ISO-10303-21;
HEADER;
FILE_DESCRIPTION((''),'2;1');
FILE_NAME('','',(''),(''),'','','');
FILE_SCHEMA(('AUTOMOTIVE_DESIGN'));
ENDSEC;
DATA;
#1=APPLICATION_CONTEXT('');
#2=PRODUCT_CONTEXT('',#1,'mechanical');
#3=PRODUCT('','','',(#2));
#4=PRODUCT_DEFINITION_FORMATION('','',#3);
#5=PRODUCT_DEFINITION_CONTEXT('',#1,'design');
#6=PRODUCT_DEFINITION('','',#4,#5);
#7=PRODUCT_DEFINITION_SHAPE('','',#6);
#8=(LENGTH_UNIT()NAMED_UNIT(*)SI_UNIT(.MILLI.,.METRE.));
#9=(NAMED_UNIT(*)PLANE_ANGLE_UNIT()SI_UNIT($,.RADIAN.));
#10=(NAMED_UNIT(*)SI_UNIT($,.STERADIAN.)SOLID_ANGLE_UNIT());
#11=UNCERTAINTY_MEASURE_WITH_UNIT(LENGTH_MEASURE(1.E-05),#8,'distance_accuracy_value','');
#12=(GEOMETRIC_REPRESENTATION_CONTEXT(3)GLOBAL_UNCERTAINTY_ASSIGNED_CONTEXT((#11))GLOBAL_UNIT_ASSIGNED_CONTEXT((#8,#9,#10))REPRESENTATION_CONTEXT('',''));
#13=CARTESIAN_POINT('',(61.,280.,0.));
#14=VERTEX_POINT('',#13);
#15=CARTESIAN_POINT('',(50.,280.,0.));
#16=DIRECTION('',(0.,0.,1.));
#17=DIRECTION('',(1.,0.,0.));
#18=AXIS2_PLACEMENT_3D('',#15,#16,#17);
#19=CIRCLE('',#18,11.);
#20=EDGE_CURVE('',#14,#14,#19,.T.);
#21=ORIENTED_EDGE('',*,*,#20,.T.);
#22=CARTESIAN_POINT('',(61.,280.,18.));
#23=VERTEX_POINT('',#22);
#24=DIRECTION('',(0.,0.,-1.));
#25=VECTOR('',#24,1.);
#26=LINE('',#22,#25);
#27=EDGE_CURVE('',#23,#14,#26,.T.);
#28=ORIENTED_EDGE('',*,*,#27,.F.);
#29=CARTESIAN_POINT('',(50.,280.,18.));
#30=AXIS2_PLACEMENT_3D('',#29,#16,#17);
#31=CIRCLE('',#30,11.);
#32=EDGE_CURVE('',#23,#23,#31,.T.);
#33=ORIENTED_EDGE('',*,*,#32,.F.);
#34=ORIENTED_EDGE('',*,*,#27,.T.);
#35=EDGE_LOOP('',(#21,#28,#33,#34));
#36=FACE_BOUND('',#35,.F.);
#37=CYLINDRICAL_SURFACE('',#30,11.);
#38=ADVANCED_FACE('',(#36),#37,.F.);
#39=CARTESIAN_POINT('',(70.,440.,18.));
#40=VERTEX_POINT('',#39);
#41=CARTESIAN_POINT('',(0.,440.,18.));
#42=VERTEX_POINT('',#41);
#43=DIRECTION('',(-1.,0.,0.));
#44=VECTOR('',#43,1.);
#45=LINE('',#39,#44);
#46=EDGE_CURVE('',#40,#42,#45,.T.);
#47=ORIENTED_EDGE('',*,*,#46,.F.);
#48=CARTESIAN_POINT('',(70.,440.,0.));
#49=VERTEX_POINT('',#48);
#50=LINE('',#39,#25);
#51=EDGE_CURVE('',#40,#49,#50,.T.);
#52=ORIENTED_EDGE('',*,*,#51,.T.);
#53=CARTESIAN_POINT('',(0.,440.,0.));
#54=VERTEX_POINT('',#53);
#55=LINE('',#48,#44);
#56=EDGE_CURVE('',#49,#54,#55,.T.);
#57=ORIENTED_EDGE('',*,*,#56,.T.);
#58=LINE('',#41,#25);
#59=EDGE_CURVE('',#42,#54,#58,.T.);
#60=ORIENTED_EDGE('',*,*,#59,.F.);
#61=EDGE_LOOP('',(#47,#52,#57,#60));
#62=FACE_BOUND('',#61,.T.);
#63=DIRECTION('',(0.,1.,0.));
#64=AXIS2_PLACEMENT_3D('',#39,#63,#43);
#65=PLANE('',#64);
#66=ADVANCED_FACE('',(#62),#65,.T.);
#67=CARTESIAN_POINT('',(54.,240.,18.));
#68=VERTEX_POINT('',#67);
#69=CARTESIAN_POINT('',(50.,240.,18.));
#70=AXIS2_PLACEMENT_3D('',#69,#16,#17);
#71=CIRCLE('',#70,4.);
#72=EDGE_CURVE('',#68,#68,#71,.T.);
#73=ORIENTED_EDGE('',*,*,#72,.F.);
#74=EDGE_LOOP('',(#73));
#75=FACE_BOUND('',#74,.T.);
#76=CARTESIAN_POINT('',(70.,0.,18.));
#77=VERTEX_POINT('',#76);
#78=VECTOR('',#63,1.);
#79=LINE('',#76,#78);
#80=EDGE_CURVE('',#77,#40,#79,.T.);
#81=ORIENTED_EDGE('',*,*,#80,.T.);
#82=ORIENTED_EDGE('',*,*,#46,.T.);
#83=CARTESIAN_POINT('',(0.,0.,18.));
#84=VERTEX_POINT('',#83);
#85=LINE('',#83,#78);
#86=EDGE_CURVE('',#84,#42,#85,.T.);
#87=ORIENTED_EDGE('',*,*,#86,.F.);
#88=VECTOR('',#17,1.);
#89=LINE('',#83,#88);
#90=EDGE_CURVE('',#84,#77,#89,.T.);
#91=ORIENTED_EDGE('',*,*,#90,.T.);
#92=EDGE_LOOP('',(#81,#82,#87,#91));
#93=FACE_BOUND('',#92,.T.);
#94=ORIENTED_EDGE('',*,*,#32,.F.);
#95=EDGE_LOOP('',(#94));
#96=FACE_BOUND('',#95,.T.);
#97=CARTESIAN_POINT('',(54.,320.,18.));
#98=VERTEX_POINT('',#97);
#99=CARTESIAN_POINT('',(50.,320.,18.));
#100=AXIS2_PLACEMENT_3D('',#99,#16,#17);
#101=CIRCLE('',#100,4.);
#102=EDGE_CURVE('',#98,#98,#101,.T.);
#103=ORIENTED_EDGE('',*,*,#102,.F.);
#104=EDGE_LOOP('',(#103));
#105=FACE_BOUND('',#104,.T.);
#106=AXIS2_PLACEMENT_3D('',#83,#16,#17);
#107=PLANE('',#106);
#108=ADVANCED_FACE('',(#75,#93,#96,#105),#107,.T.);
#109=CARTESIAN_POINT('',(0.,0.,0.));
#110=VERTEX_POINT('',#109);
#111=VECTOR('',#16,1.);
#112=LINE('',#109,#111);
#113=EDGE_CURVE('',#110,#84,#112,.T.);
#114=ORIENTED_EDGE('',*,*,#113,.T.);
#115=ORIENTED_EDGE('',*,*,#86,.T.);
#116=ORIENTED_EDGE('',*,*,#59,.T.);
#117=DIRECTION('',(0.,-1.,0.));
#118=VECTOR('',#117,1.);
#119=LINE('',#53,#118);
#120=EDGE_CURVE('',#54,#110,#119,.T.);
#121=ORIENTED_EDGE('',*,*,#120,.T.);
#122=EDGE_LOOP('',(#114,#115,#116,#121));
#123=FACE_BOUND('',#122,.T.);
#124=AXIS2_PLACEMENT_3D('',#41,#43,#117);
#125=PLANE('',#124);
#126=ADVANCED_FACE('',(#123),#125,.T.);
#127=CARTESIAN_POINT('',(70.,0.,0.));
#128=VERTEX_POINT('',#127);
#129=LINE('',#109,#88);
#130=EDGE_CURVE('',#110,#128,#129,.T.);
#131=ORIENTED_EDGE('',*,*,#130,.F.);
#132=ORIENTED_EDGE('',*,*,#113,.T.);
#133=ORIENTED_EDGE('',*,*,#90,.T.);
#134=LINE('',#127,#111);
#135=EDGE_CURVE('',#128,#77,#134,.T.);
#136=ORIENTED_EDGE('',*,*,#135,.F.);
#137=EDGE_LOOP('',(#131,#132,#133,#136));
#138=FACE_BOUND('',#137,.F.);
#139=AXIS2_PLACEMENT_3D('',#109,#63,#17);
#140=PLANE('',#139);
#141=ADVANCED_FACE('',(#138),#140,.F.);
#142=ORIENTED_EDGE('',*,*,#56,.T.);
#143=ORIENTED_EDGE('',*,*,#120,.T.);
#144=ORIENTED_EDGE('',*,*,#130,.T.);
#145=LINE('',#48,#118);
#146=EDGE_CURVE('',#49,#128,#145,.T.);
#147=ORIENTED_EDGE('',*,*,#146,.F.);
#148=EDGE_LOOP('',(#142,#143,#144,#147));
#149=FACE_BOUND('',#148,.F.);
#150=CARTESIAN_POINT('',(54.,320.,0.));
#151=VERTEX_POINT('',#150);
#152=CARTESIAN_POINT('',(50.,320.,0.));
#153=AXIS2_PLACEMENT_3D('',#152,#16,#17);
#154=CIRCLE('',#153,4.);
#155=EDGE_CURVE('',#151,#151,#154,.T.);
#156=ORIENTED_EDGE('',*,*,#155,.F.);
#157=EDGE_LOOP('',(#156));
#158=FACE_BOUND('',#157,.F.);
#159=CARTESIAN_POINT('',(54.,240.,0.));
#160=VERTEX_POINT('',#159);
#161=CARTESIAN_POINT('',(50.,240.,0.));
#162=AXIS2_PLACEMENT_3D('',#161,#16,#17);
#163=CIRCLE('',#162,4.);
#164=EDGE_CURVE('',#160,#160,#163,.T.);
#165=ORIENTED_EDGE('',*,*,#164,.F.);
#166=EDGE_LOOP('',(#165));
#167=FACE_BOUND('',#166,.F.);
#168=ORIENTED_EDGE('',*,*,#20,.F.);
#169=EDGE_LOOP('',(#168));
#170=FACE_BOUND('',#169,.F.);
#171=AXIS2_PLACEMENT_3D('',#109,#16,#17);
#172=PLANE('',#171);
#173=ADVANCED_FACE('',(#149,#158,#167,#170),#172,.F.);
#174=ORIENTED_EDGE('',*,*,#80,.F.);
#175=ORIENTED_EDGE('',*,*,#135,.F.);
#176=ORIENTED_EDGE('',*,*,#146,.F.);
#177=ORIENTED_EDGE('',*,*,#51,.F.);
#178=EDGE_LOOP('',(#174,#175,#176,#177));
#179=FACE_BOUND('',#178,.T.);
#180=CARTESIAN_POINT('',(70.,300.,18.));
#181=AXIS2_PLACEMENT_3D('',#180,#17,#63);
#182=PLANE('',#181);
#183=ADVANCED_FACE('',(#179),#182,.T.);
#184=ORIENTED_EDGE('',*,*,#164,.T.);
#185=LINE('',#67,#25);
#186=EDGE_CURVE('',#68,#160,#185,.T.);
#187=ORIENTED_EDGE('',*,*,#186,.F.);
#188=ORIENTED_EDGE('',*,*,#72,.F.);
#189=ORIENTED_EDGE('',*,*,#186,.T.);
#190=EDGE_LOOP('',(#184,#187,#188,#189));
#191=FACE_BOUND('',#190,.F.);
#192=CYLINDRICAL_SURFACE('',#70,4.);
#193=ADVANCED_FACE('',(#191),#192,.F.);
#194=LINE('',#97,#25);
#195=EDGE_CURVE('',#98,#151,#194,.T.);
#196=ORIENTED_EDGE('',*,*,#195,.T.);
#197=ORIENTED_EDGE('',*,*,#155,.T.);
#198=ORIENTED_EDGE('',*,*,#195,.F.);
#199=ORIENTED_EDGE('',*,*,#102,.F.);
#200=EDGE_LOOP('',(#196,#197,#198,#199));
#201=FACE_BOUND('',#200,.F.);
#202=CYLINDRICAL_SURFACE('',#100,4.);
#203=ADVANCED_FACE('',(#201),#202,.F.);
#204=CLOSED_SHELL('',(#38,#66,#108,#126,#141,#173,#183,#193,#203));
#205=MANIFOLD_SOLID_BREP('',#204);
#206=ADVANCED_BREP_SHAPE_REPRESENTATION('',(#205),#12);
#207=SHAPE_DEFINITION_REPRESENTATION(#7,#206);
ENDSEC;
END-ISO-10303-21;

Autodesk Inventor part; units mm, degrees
ref_plane "YZ Plane" through (0, 0, 0) normal (1, 0, 0) x (0, 1, 0)
ref_plane "XZ Plane" through (0, 0, 0) normal (0, 1, 0) x (-1, 0, 0)
ref_plane "XY Plane" through (0, 0, 0) normal (0, 0, 1) x (1, 0, 0)
sketch "Boceto1" plane through (0, 0, 0) normal (0, 0, 1) x (1, 0, 0)
  line L0 (0, 0) -> (70, 0)
  line L1 (70, 0) -> (70, 300)
  line L2 (70, 300) -> (0, 300)
  line L3 (0, 300) -> (0, 0)
  dimension "d0" = 300
  dimension "d1" = 70
extrude "Extrusión1" add sketch "Boceto1" along normal blind 18
sketch "Boceto2" plane through (0, 0, 18) normal (0, 0, 1) x (1, 0, 0)
  circle A0 centre (50, 280) radius 11
  line L0 (70, 300) -> (0, 300) projected
  line L1 (70, 0) -> (70, 300) projected
  line L2 (50, 280) -> (50, 258) construction
  circle A1 centre (50, 258) radius 1.5
  line L3 (50, 280) -> (28, 280) construction
  circle A2 centre (28, 280) radius 1.5
  point P0 (0, 0)
  dimension "d4" = 22
  dimension "d6" = 20
  dimension "d7" = 3
  dimension "d8" = 22
  dimension "d9" = 22
  dimension "d10" = 3
  dimension "d11" = 20
extrude "Extrusión2" cut sketch "Boceto2" against normal blind 18
sketch "Boceto3" plane through (0, 0, 18) normal (0, 0, 1) x (1, 0, 0)
  line L0 (70, 300) -> (0, 300) projected
  line L1 (0, 300) -> (70, 300)
  line L2 (70, 300) -> (70, 440)
  line L3 (70, 440) -> (0, 440)
  line L4 (0, 440) -> (0, 300)
  circle A0 centre (50, 258) radius 1.5 projected
  circle A1 centre (50, 280) radius 11 projected
  line L5 (50, 258) -> (50, 280) construction
  circle A2 centre (28, 280) radius 1.5 projected
  line L6 (50, 280) -> (28, 280) construction
  point P0 (0, 0)
  dimension "d14" = 70
  dimension "d15" = 140
extrude "Extrusión3" add sketch "Boceto3" against normal up to surface (18 mm away) contours L0 L4 L3 L2
sketch "Boceto4" plane through (0, 0, 18) normal (0, 0, 1) x (1, 0, 0)
  circle A0 centre (50, 258) radius 1.5 projected
  line L0 (50, 258) -> (50, 302) construction
  circle A1 centre (28, 280) radius 1.5 projected
  line L1 (28, 280) -> (50, 280) construction
  circle A2 centre (50, 302) radius 1.5
  point P0 (0, 0)
  dimension "d19" = 22
  dimension "d20" = 3
extrude "Extrusión4" cut sketch "Boceto4" against normal blind 18 contours A2
sketch "Boceto5" plane through (0, 0, 18) normal (0, 0, 1) x (1, 0, 0)
  circle A0 centre (50, 240) radius 4
  circle A1 centre (50, 280) radius 11 projected
  circle A2 centre (50, 280) radius 11 projected
  line L0 (50, 280) -> (50, 193.7834) construction
  circle A3 centre (50, 320) radius 4
  line L1 (50, 320) -> (50, 280) construction
  point P0 (0, 0)
  dimension "d23" = 8
  dimension "d24" = 40
  dimension "d25" = 8
  dimension "d26" = 40
extrude "Extrusión5" cut sketch "Boceto5" against normal blind 18 contours A0 | A3
sketch "Boceto6" plane through (0, 0, 18) normal (0, 0, 1) x (1, 0, 0)
  circle A0 centre (50, 302) radius 1.5 projected
  circle A1 centre (50, 302) radius 1.5
  circle A2 centre (28, 280) radius 1.5 projected
  circle A3 centre (28, 280) radius 1.5
  circle A4 centre (50, 258) radius 1.5 projected
  circle A5 centre (50, 258) radius 1.5
  point P0 (0, 0)
extrude "Extrusión6" add sketch "Boceto6" against normal up to surface (18 mm away)
properties part number "009" material "CFRP"
